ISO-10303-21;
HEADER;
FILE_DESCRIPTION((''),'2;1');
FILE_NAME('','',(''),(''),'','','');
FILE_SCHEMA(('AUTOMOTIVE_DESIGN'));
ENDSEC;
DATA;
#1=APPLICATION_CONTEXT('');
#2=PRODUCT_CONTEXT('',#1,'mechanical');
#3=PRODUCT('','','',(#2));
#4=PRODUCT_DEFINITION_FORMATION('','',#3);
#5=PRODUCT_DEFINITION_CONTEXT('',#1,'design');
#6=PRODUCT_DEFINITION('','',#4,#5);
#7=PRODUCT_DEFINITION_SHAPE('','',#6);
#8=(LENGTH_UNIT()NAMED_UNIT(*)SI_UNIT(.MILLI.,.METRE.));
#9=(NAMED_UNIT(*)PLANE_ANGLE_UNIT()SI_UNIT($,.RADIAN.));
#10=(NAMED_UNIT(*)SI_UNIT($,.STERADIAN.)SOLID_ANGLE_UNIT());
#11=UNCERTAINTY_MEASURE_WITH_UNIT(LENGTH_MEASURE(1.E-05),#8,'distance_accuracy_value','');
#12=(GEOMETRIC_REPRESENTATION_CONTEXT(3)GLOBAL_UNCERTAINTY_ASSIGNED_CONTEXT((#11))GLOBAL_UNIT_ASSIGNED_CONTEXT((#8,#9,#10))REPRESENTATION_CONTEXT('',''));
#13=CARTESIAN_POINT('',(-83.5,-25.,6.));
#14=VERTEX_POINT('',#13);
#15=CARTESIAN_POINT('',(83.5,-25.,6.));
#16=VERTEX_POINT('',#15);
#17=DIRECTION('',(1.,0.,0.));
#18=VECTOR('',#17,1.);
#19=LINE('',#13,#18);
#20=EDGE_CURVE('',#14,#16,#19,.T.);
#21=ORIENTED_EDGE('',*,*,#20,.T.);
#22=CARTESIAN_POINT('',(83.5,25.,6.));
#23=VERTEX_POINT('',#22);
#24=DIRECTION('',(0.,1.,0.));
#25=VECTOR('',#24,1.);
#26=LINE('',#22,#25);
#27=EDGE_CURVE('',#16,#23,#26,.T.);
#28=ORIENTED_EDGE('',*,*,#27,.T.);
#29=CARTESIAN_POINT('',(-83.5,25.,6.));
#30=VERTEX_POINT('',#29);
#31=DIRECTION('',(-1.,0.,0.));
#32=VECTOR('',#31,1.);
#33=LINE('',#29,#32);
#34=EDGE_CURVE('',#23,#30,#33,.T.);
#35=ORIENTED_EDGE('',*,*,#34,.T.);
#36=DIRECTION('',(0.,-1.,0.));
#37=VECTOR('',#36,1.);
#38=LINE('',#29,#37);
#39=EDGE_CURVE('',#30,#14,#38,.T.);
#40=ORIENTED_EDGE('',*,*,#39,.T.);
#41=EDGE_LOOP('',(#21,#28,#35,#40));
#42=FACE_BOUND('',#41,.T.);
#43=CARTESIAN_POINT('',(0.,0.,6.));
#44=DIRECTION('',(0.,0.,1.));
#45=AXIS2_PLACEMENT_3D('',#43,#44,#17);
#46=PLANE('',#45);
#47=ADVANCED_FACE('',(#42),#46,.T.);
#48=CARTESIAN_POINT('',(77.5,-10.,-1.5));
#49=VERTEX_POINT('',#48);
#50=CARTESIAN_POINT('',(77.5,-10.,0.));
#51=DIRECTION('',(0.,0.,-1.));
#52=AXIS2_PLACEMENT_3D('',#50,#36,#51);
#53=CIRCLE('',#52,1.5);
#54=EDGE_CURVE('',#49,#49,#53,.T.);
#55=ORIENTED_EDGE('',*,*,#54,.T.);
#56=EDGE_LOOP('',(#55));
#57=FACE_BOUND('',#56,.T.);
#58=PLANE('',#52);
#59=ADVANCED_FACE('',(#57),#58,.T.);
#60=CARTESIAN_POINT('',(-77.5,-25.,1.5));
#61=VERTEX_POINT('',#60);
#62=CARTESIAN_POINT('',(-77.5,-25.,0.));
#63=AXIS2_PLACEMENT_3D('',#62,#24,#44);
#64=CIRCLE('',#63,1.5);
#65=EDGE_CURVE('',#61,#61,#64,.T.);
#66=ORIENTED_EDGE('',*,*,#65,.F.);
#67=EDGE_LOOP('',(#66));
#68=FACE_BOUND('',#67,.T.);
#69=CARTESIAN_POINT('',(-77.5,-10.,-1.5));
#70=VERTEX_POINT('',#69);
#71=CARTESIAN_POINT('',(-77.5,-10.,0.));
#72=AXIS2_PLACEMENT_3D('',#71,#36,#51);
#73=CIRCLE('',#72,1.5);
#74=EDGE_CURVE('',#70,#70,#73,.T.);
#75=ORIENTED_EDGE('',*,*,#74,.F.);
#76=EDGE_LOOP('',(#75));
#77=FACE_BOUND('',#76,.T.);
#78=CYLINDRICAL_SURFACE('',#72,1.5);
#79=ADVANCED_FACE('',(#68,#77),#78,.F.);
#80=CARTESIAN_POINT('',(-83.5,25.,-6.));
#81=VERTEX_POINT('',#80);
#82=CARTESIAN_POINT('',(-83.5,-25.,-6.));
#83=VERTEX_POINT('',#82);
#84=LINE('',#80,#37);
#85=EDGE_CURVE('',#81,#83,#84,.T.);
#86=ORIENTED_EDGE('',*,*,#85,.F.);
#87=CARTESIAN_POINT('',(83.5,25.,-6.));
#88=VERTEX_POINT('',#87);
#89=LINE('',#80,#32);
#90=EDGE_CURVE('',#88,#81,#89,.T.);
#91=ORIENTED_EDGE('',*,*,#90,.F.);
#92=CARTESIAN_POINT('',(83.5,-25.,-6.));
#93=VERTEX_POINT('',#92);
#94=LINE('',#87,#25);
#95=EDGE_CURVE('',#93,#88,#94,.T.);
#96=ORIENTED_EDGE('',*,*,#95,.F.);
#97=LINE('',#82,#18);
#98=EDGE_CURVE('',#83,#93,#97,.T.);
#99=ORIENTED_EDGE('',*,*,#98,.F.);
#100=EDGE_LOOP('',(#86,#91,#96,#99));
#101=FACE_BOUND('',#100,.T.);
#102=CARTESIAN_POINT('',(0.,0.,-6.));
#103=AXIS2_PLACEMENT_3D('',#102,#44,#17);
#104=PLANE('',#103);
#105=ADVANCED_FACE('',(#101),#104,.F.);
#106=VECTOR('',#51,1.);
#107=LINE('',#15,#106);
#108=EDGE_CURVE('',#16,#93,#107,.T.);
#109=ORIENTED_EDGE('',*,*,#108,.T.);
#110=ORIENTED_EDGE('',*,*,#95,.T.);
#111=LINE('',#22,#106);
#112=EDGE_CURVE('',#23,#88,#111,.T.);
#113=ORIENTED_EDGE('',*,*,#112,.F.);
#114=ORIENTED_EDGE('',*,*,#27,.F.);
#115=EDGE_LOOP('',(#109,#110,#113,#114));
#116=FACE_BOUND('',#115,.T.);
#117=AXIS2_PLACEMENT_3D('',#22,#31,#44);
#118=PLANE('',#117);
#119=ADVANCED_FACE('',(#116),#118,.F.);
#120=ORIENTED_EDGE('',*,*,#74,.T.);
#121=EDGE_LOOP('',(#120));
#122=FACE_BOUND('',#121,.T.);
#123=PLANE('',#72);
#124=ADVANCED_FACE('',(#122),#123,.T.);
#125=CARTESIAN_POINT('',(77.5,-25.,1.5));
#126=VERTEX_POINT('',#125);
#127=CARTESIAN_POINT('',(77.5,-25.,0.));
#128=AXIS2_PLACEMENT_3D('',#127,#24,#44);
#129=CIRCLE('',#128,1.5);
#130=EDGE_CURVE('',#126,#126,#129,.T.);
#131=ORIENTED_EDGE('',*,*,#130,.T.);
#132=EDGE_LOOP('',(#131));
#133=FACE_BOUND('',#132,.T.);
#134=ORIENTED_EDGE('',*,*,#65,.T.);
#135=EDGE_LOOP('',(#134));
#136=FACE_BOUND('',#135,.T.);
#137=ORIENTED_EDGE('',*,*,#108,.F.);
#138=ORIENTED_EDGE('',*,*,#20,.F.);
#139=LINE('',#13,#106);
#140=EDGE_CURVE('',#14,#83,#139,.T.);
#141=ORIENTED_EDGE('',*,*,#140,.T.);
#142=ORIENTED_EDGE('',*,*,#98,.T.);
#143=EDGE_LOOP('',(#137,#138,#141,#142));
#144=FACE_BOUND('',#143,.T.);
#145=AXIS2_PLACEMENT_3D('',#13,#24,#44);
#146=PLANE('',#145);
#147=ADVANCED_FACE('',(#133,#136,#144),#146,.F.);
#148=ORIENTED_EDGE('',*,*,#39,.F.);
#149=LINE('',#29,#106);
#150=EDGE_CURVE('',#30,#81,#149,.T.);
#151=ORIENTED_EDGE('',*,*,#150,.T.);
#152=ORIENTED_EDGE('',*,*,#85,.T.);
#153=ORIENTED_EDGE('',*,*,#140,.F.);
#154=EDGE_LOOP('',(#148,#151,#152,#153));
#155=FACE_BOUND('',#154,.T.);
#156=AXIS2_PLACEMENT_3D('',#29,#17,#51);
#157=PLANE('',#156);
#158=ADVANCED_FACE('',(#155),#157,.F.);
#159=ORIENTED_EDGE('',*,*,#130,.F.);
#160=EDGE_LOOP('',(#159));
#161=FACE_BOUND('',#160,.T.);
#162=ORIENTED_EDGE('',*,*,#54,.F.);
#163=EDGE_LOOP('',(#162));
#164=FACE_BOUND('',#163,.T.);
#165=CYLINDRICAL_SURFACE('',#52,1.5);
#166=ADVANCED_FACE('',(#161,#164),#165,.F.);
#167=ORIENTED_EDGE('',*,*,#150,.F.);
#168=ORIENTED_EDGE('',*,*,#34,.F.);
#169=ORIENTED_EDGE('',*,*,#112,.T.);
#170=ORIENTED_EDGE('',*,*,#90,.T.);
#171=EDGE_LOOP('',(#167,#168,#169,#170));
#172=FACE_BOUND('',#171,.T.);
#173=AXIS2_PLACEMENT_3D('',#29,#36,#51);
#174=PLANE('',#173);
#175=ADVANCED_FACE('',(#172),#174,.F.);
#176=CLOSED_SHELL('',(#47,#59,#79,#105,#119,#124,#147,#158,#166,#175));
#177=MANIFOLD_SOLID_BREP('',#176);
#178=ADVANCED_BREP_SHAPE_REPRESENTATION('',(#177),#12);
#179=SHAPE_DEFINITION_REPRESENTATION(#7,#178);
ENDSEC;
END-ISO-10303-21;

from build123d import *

# Parameters (mm, degrees)
ESBO_O1_W                = 167
ESBO_O1_H                = 50
RESSALTO_EXTRUS_O1_DEPTH = 6
ESBO_O3_R                = 1.5
CORTE_EXTRUS_O1_DEPTH    = 15


with BuildPart() as part:
    # Esboço1 → Ressalto-extrusão1 (new, symmetric)
    with BuildSketch(Plane.XY):
        Rectangle(ESBO_O1_W, ESBO_O1_H)
    extrude(amount=RESSALTO_EXTRUS_O1_DEPTH, both=True)

    # Esboço3 → Corte-extrusão1 (cut, symmetric)
    with BuildSketch(Plane(origin=(0, -25, 0), x_dir=(-1, 0, 0), z_dir=(0, -1, 0))):
        with Locations(Location((77.5, 0, 0), (0, 0, 90))):
            Circle(ESBO_O3_R)
        with Locations(Location((-77.5, 0, 0), (0, 0, 90))):
            Circle(ESBO_O3_R)
    extrude(amount=CORTE_EXTRUS_O1_DEPTH, both=True, mode=Mode.SUBTRACT)


solid = part.part
